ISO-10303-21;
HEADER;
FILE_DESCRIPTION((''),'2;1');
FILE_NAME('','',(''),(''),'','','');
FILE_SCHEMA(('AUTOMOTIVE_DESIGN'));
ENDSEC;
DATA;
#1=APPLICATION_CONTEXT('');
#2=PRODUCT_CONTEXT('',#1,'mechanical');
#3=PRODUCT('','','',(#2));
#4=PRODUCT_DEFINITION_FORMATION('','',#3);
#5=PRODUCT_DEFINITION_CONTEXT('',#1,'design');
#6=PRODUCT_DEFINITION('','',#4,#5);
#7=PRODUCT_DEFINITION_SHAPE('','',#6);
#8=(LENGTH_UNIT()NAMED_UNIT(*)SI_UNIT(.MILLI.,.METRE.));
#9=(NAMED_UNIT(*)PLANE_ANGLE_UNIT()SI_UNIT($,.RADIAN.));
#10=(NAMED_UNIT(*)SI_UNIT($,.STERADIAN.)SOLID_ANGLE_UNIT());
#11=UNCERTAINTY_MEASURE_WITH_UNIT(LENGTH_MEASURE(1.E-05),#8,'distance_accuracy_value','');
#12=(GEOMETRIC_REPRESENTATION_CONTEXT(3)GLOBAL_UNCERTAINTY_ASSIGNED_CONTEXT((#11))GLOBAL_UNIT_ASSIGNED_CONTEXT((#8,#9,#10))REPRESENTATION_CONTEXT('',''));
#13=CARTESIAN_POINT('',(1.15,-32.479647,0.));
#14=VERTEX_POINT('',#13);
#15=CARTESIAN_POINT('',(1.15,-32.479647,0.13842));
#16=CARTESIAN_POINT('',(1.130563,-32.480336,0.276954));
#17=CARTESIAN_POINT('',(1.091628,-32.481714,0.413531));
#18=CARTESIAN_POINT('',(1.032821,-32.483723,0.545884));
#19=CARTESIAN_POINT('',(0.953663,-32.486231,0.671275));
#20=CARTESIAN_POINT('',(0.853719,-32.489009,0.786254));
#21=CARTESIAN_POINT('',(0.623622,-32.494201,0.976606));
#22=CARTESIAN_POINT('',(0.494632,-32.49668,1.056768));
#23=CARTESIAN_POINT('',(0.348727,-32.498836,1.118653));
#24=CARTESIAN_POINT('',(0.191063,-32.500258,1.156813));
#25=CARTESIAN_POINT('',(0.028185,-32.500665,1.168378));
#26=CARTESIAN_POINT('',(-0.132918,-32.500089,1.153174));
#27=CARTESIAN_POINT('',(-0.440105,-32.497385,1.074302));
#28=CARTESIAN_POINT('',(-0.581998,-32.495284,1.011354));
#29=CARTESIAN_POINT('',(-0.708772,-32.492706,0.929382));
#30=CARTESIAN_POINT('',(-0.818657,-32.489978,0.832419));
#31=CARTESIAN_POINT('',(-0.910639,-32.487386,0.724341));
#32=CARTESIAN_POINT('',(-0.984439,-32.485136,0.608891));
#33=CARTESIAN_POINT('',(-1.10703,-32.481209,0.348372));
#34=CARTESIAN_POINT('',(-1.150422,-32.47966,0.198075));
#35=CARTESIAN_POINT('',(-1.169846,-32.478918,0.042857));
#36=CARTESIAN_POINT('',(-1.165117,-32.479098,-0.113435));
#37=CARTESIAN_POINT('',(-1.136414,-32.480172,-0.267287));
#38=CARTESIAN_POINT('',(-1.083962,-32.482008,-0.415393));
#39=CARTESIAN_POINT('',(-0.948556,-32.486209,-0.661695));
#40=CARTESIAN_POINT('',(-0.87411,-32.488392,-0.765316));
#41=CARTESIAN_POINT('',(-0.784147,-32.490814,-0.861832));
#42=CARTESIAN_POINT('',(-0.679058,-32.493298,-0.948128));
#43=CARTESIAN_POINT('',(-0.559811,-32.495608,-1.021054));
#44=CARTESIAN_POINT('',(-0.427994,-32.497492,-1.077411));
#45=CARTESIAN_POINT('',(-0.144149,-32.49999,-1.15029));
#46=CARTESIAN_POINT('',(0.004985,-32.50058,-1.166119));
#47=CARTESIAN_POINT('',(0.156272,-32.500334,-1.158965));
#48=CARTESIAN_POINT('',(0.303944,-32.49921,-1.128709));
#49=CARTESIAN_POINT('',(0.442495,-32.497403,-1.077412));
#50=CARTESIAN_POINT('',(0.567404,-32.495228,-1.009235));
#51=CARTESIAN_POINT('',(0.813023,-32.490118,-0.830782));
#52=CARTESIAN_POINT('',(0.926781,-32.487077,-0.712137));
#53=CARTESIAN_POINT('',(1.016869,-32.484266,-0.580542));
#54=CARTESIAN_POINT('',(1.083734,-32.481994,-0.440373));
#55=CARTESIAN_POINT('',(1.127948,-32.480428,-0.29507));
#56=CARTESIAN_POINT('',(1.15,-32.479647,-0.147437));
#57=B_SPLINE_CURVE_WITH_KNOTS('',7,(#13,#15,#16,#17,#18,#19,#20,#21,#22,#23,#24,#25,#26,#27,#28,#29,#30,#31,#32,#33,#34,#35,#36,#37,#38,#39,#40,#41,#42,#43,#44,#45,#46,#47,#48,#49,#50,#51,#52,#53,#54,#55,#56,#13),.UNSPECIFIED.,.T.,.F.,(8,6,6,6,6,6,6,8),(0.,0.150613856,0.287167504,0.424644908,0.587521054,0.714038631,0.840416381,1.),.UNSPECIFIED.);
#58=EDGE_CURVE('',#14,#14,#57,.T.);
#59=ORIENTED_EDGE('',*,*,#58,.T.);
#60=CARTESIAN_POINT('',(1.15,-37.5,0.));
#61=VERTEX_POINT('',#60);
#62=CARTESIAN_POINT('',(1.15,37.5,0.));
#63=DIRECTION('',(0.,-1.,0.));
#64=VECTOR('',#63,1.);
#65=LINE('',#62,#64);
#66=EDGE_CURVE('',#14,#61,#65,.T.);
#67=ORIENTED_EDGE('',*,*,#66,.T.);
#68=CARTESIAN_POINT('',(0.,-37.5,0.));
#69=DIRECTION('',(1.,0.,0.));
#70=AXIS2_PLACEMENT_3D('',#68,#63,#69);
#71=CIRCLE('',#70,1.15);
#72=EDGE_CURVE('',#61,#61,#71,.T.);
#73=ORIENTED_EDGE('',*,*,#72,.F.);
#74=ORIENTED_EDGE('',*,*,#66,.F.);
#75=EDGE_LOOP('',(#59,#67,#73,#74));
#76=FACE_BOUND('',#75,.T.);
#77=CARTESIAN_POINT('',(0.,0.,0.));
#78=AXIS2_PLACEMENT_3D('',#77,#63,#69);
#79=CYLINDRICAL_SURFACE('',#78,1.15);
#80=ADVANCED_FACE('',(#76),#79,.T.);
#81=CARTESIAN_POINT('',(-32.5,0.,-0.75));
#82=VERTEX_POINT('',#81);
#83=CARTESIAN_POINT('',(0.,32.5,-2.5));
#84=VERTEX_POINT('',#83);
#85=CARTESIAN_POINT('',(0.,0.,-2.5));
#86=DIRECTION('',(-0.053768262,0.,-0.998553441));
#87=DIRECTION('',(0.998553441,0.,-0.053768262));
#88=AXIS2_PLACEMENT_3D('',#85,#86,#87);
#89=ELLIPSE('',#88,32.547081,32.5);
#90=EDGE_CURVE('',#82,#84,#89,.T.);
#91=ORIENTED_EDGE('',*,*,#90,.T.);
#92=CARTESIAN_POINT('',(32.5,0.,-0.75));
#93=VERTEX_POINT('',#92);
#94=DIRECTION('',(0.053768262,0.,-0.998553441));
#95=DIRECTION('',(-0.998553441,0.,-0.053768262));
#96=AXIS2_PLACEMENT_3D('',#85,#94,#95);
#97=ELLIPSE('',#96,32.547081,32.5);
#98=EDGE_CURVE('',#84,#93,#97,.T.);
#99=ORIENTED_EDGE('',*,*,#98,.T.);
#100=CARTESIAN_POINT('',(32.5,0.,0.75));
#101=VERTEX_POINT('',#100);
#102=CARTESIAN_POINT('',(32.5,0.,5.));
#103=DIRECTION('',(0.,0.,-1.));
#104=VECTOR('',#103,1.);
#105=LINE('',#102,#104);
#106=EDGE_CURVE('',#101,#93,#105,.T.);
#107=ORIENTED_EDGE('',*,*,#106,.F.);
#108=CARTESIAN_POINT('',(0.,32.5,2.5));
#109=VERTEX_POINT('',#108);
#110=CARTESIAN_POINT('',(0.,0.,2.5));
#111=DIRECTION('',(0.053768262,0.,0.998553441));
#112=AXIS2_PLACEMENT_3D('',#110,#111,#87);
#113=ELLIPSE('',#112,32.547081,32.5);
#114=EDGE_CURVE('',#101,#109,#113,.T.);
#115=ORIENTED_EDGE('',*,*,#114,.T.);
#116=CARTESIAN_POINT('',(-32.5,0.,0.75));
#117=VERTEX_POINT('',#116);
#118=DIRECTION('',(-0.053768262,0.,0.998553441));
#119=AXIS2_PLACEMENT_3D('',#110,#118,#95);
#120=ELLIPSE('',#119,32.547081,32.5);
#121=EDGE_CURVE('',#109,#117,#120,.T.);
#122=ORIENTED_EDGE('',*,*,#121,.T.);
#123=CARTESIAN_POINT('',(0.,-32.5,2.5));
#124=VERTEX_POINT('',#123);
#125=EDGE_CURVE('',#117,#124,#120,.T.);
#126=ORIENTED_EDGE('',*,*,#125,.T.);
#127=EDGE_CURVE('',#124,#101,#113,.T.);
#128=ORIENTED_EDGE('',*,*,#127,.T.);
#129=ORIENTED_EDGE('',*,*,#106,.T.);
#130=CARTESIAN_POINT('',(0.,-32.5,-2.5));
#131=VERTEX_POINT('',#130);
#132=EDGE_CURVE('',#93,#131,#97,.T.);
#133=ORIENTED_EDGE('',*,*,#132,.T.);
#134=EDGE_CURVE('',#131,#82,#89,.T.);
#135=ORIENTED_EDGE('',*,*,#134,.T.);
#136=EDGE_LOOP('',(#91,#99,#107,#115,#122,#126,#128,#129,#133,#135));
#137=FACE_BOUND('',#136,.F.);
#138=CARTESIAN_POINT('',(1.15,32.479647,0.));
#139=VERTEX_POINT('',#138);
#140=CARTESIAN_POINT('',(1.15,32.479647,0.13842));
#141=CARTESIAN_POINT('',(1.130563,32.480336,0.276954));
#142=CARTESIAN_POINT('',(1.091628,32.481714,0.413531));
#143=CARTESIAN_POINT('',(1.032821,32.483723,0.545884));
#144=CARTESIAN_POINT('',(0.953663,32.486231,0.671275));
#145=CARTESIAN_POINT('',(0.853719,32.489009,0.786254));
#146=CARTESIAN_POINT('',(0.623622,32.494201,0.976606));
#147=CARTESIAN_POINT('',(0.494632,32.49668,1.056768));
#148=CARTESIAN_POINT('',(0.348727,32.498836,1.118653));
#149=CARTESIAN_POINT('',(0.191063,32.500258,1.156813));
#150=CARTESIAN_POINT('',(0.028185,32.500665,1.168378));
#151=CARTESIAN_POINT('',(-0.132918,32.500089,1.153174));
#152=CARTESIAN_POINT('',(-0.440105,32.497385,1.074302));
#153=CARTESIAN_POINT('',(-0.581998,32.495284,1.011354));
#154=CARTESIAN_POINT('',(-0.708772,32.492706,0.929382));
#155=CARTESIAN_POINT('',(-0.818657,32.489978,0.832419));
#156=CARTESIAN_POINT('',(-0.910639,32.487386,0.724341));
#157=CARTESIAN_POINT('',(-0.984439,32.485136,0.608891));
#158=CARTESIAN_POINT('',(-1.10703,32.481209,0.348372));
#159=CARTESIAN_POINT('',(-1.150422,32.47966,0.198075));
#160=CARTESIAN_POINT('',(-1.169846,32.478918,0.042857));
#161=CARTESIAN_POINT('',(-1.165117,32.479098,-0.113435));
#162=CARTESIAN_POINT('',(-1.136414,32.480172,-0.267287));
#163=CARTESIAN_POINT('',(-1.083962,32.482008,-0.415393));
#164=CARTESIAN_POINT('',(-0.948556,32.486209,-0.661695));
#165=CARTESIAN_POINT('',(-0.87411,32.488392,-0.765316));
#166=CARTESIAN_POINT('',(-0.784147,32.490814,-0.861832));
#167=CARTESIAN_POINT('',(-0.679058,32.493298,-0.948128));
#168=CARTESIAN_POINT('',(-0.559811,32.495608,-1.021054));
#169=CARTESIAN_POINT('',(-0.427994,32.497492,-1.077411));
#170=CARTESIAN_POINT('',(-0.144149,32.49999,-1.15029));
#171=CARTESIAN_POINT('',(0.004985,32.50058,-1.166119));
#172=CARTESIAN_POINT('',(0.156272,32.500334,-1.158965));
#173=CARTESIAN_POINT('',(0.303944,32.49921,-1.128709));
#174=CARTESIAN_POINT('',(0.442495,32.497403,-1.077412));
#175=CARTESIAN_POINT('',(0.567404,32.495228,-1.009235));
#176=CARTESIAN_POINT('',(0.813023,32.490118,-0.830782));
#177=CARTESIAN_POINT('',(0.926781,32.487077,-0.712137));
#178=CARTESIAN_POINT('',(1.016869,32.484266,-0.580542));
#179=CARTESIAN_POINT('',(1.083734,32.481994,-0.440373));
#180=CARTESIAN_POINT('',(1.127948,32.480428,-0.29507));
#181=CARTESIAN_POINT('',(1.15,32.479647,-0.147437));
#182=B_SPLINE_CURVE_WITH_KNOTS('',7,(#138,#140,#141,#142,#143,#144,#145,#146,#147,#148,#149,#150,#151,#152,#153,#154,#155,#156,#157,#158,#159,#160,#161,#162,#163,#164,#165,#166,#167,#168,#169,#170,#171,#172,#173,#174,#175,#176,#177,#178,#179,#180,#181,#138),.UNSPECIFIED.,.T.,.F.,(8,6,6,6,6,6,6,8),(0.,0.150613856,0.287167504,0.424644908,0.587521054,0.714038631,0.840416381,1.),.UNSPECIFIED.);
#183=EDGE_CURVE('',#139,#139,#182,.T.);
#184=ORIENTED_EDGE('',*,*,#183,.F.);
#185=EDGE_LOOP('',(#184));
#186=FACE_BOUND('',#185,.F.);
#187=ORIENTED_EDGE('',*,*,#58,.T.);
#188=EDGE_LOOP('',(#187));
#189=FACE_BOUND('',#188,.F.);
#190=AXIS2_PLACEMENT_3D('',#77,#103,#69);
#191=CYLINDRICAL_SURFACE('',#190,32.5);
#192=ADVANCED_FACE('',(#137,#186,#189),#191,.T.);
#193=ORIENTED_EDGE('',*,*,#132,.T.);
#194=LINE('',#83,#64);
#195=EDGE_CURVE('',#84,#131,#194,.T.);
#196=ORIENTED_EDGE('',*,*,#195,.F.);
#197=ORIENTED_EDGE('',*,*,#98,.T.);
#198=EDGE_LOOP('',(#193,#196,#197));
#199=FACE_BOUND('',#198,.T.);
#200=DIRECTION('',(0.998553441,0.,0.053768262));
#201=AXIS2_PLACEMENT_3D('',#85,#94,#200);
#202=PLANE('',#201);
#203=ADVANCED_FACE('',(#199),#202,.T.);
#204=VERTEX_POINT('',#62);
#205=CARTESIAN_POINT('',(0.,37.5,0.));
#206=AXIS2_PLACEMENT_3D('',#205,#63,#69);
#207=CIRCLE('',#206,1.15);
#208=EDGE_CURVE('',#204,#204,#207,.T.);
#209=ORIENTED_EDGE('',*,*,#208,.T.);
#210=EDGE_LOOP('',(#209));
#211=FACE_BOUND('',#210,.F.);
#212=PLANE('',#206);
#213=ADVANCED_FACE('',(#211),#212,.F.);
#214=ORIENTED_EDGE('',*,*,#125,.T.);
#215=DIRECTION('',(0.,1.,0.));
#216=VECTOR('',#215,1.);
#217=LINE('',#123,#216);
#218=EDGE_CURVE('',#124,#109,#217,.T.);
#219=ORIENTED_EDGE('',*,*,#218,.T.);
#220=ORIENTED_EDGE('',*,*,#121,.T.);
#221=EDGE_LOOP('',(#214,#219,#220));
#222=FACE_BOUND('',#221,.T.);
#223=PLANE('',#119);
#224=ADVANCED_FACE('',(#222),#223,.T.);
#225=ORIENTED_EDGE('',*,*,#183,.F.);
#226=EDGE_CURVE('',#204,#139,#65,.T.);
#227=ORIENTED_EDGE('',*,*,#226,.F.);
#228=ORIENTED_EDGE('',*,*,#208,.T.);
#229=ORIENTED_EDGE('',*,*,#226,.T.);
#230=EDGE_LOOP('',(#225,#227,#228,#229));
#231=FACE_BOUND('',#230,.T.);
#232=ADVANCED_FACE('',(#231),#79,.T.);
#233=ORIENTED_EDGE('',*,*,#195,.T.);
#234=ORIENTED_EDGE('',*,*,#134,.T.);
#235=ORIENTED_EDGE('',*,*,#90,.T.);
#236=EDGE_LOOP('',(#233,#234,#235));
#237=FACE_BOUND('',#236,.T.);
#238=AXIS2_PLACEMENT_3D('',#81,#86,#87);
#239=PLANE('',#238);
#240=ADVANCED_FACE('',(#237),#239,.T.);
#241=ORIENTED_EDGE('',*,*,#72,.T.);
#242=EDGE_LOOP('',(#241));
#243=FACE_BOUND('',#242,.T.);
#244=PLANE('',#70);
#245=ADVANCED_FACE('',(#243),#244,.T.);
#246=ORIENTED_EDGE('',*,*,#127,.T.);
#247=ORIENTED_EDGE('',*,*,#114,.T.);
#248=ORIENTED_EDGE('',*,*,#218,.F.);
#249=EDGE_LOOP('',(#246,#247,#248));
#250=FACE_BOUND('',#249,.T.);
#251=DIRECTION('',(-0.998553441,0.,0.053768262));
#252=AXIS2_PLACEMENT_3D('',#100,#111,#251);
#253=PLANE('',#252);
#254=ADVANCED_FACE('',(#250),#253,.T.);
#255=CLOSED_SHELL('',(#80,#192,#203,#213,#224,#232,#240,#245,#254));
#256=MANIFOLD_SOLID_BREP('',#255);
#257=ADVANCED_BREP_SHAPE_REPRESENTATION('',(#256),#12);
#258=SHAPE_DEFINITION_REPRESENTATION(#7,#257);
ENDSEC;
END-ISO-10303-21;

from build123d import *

# Parameters (mm, degrees)
F1_DEPTH = 32.5
F2_W     = 70
F2_H     = 70
F2_R     = 32.5
F3_DEPTH = 5
F5_R     = 1.15
F6_DEPTH = 37.5


with BuildPart() as f1:
    # F0 (on Front) → F1 (new body, symmetric)
    with BuildSketch(Plane.XZ):
        Polygon((0, 2.5), (-32.5, 0.75), (-32.5, -0.75), (0, -2.5), (32.5, -0.75), (32.5, 0.75), align=None)
    extrude(amount=F1_DEPTH, both=True)


with BuildPart() as f3:
    # F2 (on Top) → F3 (new body, symmetric)
    with BuildSketch(Plane.XY):
        Rectangle(F2_W, F2_H)
        Circle(F2_R, mode=Mode.SUBTRACT)
    extrude(amount=F3_DEPTH, both=True)


with BuildPart() as f1_1:
    add(f1.part)

    # F4: cut F3
    add(f3.part, mode=Mode.SUBTRACT)

    # F5 (on Front) → F6 (join, symmetric)
    with BuildSketch(Plane.XZ):
        Circle(F5_R)
    extrude(amount=F6_DEPTH, both=True)


solid = f1_1.part
